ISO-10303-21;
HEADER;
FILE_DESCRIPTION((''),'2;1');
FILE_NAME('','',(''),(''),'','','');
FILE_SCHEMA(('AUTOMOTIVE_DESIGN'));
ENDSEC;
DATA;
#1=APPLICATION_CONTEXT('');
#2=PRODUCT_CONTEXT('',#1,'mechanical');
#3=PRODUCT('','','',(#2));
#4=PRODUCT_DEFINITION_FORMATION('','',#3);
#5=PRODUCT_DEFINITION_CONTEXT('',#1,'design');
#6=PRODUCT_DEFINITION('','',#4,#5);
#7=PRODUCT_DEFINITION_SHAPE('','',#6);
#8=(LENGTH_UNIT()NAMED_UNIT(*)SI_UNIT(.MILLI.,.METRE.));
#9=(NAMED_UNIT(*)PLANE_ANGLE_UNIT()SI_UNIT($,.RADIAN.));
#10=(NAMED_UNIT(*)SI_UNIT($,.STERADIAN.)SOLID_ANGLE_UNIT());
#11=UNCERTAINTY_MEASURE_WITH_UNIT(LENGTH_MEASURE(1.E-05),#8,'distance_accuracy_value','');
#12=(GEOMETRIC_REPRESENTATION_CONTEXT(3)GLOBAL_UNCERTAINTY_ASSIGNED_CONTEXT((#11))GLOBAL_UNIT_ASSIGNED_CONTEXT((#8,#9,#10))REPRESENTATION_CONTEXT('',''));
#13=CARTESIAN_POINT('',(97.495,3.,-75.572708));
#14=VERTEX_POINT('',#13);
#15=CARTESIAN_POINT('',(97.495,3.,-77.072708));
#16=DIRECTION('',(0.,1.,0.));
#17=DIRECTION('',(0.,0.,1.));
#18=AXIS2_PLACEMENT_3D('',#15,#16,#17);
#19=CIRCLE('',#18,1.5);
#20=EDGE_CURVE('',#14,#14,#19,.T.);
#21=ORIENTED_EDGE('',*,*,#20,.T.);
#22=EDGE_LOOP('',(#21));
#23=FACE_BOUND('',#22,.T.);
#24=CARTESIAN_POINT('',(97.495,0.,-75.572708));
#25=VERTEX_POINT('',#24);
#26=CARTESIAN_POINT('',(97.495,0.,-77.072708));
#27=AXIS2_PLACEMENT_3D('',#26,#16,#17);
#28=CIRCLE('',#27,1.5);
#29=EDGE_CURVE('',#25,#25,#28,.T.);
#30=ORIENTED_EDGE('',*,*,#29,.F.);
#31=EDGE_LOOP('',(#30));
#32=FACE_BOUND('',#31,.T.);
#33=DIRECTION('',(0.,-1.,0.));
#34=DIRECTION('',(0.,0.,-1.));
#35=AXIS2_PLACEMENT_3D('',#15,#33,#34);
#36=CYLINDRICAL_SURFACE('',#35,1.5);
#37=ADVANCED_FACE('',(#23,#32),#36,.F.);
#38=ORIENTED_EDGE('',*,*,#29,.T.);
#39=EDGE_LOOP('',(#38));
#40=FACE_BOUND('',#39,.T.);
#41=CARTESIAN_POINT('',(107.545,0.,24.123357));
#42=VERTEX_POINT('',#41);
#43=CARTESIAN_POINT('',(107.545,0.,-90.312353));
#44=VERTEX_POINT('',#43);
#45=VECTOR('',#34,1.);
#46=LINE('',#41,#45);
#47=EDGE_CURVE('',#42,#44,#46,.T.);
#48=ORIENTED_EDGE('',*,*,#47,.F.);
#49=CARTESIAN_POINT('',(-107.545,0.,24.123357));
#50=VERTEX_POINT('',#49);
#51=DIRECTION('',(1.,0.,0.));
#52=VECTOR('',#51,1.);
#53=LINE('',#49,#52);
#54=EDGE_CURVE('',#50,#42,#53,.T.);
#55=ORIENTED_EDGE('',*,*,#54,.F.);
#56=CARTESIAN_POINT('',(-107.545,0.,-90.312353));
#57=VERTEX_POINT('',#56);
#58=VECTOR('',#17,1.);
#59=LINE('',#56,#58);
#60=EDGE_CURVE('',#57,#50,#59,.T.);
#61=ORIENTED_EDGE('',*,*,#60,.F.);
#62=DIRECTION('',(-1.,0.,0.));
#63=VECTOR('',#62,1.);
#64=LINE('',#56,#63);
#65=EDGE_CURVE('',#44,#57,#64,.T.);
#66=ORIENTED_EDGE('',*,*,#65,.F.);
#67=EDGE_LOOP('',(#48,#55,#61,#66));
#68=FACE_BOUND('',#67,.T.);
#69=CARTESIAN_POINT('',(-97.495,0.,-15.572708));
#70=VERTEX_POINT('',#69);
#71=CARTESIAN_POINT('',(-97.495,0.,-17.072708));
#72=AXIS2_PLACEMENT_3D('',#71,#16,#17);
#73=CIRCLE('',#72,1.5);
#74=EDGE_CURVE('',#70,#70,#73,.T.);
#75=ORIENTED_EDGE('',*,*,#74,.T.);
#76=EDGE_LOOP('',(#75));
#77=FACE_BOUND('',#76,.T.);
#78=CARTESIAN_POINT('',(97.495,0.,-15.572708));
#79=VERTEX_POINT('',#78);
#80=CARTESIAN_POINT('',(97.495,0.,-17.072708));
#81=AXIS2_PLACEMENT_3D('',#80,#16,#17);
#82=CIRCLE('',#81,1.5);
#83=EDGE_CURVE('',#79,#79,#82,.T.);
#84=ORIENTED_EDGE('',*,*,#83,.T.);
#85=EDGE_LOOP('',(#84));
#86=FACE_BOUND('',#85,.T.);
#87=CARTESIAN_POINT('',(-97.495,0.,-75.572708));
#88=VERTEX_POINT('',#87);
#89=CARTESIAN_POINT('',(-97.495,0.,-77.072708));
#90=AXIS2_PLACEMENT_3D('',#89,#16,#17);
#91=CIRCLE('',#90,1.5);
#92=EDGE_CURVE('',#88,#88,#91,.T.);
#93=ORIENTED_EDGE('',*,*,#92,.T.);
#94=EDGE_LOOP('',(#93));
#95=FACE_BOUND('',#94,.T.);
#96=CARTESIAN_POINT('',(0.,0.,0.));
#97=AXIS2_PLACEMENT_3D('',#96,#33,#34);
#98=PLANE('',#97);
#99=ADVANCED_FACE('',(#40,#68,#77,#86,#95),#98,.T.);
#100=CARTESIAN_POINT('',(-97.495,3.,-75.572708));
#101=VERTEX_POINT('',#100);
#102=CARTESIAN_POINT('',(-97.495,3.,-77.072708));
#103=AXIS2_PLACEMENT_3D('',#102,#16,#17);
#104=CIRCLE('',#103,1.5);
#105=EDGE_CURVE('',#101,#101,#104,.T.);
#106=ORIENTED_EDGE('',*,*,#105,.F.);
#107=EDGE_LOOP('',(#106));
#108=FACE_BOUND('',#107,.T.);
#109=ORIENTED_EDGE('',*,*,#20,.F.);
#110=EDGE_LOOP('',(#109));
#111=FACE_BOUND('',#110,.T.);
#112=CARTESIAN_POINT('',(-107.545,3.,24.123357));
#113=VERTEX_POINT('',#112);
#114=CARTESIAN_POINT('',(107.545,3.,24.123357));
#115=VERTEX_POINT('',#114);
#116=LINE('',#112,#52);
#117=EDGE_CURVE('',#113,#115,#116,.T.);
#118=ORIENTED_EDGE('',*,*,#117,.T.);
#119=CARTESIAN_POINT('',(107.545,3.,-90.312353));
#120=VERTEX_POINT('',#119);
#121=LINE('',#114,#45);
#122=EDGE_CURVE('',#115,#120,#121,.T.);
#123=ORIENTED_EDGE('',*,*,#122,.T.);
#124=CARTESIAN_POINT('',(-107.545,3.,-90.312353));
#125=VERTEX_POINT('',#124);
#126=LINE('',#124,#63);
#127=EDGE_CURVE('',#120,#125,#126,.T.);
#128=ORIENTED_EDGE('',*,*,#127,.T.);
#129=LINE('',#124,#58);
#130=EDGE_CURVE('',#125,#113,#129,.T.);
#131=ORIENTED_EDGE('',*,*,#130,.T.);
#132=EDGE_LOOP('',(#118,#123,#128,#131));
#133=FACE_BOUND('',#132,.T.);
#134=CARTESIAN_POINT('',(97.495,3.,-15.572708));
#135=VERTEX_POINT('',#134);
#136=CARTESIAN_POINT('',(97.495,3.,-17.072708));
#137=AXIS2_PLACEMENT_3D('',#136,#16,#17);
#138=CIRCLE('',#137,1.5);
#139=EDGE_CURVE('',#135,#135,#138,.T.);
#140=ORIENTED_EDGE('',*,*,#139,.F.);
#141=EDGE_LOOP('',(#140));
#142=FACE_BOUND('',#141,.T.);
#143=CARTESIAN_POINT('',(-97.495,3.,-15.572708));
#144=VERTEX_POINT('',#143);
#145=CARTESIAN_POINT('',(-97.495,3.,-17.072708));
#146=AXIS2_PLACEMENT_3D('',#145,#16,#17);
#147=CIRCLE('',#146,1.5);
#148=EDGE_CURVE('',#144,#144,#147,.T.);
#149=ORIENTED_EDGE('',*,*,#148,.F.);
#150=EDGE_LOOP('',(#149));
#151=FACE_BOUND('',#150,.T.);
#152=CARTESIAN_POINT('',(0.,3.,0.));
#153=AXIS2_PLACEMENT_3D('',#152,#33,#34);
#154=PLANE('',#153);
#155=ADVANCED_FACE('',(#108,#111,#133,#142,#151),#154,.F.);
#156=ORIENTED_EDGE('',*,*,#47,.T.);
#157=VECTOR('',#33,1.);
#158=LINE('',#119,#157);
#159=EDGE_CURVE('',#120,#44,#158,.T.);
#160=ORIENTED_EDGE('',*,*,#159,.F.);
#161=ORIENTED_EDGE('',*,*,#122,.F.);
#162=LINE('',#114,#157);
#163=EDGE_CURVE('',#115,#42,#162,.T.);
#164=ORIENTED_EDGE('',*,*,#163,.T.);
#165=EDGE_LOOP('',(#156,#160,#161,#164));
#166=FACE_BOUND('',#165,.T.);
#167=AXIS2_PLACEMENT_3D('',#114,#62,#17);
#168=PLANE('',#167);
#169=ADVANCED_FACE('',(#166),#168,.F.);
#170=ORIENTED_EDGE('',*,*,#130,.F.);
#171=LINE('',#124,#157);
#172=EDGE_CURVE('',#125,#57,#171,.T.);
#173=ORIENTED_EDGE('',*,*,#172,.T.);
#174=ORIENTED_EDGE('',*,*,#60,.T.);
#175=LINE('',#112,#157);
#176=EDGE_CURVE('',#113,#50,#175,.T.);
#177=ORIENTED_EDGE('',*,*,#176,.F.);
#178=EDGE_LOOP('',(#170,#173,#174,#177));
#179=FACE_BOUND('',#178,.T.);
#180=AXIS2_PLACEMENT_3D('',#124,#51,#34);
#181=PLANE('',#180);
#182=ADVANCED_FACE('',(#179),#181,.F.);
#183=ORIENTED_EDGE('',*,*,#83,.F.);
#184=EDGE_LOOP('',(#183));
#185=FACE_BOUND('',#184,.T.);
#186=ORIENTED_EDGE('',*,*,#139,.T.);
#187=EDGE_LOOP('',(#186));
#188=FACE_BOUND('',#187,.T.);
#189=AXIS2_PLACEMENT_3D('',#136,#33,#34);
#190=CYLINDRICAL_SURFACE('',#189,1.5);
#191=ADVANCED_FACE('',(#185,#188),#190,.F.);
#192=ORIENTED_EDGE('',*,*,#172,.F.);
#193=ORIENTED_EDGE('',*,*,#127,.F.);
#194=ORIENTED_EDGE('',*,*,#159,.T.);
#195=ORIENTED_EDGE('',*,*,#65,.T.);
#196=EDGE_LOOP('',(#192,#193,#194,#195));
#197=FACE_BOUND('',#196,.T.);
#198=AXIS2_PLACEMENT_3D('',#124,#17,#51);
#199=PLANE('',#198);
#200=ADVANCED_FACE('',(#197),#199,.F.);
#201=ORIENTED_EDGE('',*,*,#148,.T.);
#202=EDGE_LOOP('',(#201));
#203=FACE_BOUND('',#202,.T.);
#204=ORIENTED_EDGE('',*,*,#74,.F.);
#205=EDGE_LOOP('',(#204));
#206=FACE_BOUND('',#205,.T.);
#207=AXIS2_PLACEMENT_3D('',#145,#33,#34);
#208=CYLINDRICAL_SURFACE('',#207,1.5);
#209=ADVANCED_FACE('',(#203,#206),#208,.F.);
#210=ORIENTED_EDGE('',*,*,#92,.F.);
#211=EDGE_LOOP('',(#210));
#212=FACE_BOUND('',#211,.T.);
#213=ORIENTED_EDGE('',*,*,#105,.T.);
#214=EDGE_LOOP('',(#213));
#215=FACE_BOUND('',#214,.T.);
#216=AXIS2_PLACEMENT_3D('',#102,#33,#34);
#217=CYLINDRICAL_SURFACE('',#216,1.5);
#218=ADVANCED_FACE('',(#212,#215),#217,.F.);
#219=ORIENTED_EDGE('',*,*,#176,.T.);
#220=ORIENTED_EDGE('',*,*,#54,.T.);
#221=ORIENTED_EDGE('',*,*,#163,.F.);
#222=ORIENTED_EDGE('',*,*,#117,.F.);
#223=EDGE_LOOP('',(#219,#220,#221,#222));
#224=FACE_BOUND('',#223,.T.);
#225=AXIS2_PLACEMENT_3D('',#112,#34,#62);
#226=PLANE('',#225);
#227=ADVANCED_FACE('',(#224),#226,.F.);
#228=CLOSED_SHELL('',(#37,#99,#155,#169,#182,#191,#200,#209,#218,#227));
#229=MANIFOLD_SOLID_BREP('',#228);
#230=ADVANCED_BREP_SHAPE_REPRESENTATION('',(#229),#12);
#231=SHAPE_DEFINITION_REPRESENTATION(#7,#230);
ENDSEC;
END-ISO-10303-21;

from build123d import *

# Parameters (mm, degrees)
CROQUIS1_W              = 215.09
CROQUIS1_H              = 114.4357103
CROQUIS1_R              = 1.5
SALIENTE_EXTRUIR1_DEPTH = 3


with BuildPart() as part:
    # Croquis1 → Saliente-Extruir1 (new body)
    with BuildSketch(Plane(origin=(0, 0, 0), x_dir=(1, 0, 0), z_dir=(0, 1, 0))):
        with Locations((0, 33.094498199)):
            Rectangle(CROQUIS1_W, CROQUIS1_H)
        with Locations((-97.495, 77.072708333)):
            Circle(CROQUIS1_R, mode=Mode.SUBTRACT)
        with Locations((97.495, 77.072708333)):
            Circle(CROQUIS1_R, mode=Mode.SUBTRACT)
        with Locations((-97.495, 17.072708333)):
            Circle(CROQUIS1_R, mode=Mode.SUBTRACT)
        with Locations((97.495, 17.072708333)):
            Circle(CROQUIS1_R, mode=Mode.SUBTRACT)
    extrude(amount=SALIENTE_EXTRUIR1_DEPTH)


solid = part.part
